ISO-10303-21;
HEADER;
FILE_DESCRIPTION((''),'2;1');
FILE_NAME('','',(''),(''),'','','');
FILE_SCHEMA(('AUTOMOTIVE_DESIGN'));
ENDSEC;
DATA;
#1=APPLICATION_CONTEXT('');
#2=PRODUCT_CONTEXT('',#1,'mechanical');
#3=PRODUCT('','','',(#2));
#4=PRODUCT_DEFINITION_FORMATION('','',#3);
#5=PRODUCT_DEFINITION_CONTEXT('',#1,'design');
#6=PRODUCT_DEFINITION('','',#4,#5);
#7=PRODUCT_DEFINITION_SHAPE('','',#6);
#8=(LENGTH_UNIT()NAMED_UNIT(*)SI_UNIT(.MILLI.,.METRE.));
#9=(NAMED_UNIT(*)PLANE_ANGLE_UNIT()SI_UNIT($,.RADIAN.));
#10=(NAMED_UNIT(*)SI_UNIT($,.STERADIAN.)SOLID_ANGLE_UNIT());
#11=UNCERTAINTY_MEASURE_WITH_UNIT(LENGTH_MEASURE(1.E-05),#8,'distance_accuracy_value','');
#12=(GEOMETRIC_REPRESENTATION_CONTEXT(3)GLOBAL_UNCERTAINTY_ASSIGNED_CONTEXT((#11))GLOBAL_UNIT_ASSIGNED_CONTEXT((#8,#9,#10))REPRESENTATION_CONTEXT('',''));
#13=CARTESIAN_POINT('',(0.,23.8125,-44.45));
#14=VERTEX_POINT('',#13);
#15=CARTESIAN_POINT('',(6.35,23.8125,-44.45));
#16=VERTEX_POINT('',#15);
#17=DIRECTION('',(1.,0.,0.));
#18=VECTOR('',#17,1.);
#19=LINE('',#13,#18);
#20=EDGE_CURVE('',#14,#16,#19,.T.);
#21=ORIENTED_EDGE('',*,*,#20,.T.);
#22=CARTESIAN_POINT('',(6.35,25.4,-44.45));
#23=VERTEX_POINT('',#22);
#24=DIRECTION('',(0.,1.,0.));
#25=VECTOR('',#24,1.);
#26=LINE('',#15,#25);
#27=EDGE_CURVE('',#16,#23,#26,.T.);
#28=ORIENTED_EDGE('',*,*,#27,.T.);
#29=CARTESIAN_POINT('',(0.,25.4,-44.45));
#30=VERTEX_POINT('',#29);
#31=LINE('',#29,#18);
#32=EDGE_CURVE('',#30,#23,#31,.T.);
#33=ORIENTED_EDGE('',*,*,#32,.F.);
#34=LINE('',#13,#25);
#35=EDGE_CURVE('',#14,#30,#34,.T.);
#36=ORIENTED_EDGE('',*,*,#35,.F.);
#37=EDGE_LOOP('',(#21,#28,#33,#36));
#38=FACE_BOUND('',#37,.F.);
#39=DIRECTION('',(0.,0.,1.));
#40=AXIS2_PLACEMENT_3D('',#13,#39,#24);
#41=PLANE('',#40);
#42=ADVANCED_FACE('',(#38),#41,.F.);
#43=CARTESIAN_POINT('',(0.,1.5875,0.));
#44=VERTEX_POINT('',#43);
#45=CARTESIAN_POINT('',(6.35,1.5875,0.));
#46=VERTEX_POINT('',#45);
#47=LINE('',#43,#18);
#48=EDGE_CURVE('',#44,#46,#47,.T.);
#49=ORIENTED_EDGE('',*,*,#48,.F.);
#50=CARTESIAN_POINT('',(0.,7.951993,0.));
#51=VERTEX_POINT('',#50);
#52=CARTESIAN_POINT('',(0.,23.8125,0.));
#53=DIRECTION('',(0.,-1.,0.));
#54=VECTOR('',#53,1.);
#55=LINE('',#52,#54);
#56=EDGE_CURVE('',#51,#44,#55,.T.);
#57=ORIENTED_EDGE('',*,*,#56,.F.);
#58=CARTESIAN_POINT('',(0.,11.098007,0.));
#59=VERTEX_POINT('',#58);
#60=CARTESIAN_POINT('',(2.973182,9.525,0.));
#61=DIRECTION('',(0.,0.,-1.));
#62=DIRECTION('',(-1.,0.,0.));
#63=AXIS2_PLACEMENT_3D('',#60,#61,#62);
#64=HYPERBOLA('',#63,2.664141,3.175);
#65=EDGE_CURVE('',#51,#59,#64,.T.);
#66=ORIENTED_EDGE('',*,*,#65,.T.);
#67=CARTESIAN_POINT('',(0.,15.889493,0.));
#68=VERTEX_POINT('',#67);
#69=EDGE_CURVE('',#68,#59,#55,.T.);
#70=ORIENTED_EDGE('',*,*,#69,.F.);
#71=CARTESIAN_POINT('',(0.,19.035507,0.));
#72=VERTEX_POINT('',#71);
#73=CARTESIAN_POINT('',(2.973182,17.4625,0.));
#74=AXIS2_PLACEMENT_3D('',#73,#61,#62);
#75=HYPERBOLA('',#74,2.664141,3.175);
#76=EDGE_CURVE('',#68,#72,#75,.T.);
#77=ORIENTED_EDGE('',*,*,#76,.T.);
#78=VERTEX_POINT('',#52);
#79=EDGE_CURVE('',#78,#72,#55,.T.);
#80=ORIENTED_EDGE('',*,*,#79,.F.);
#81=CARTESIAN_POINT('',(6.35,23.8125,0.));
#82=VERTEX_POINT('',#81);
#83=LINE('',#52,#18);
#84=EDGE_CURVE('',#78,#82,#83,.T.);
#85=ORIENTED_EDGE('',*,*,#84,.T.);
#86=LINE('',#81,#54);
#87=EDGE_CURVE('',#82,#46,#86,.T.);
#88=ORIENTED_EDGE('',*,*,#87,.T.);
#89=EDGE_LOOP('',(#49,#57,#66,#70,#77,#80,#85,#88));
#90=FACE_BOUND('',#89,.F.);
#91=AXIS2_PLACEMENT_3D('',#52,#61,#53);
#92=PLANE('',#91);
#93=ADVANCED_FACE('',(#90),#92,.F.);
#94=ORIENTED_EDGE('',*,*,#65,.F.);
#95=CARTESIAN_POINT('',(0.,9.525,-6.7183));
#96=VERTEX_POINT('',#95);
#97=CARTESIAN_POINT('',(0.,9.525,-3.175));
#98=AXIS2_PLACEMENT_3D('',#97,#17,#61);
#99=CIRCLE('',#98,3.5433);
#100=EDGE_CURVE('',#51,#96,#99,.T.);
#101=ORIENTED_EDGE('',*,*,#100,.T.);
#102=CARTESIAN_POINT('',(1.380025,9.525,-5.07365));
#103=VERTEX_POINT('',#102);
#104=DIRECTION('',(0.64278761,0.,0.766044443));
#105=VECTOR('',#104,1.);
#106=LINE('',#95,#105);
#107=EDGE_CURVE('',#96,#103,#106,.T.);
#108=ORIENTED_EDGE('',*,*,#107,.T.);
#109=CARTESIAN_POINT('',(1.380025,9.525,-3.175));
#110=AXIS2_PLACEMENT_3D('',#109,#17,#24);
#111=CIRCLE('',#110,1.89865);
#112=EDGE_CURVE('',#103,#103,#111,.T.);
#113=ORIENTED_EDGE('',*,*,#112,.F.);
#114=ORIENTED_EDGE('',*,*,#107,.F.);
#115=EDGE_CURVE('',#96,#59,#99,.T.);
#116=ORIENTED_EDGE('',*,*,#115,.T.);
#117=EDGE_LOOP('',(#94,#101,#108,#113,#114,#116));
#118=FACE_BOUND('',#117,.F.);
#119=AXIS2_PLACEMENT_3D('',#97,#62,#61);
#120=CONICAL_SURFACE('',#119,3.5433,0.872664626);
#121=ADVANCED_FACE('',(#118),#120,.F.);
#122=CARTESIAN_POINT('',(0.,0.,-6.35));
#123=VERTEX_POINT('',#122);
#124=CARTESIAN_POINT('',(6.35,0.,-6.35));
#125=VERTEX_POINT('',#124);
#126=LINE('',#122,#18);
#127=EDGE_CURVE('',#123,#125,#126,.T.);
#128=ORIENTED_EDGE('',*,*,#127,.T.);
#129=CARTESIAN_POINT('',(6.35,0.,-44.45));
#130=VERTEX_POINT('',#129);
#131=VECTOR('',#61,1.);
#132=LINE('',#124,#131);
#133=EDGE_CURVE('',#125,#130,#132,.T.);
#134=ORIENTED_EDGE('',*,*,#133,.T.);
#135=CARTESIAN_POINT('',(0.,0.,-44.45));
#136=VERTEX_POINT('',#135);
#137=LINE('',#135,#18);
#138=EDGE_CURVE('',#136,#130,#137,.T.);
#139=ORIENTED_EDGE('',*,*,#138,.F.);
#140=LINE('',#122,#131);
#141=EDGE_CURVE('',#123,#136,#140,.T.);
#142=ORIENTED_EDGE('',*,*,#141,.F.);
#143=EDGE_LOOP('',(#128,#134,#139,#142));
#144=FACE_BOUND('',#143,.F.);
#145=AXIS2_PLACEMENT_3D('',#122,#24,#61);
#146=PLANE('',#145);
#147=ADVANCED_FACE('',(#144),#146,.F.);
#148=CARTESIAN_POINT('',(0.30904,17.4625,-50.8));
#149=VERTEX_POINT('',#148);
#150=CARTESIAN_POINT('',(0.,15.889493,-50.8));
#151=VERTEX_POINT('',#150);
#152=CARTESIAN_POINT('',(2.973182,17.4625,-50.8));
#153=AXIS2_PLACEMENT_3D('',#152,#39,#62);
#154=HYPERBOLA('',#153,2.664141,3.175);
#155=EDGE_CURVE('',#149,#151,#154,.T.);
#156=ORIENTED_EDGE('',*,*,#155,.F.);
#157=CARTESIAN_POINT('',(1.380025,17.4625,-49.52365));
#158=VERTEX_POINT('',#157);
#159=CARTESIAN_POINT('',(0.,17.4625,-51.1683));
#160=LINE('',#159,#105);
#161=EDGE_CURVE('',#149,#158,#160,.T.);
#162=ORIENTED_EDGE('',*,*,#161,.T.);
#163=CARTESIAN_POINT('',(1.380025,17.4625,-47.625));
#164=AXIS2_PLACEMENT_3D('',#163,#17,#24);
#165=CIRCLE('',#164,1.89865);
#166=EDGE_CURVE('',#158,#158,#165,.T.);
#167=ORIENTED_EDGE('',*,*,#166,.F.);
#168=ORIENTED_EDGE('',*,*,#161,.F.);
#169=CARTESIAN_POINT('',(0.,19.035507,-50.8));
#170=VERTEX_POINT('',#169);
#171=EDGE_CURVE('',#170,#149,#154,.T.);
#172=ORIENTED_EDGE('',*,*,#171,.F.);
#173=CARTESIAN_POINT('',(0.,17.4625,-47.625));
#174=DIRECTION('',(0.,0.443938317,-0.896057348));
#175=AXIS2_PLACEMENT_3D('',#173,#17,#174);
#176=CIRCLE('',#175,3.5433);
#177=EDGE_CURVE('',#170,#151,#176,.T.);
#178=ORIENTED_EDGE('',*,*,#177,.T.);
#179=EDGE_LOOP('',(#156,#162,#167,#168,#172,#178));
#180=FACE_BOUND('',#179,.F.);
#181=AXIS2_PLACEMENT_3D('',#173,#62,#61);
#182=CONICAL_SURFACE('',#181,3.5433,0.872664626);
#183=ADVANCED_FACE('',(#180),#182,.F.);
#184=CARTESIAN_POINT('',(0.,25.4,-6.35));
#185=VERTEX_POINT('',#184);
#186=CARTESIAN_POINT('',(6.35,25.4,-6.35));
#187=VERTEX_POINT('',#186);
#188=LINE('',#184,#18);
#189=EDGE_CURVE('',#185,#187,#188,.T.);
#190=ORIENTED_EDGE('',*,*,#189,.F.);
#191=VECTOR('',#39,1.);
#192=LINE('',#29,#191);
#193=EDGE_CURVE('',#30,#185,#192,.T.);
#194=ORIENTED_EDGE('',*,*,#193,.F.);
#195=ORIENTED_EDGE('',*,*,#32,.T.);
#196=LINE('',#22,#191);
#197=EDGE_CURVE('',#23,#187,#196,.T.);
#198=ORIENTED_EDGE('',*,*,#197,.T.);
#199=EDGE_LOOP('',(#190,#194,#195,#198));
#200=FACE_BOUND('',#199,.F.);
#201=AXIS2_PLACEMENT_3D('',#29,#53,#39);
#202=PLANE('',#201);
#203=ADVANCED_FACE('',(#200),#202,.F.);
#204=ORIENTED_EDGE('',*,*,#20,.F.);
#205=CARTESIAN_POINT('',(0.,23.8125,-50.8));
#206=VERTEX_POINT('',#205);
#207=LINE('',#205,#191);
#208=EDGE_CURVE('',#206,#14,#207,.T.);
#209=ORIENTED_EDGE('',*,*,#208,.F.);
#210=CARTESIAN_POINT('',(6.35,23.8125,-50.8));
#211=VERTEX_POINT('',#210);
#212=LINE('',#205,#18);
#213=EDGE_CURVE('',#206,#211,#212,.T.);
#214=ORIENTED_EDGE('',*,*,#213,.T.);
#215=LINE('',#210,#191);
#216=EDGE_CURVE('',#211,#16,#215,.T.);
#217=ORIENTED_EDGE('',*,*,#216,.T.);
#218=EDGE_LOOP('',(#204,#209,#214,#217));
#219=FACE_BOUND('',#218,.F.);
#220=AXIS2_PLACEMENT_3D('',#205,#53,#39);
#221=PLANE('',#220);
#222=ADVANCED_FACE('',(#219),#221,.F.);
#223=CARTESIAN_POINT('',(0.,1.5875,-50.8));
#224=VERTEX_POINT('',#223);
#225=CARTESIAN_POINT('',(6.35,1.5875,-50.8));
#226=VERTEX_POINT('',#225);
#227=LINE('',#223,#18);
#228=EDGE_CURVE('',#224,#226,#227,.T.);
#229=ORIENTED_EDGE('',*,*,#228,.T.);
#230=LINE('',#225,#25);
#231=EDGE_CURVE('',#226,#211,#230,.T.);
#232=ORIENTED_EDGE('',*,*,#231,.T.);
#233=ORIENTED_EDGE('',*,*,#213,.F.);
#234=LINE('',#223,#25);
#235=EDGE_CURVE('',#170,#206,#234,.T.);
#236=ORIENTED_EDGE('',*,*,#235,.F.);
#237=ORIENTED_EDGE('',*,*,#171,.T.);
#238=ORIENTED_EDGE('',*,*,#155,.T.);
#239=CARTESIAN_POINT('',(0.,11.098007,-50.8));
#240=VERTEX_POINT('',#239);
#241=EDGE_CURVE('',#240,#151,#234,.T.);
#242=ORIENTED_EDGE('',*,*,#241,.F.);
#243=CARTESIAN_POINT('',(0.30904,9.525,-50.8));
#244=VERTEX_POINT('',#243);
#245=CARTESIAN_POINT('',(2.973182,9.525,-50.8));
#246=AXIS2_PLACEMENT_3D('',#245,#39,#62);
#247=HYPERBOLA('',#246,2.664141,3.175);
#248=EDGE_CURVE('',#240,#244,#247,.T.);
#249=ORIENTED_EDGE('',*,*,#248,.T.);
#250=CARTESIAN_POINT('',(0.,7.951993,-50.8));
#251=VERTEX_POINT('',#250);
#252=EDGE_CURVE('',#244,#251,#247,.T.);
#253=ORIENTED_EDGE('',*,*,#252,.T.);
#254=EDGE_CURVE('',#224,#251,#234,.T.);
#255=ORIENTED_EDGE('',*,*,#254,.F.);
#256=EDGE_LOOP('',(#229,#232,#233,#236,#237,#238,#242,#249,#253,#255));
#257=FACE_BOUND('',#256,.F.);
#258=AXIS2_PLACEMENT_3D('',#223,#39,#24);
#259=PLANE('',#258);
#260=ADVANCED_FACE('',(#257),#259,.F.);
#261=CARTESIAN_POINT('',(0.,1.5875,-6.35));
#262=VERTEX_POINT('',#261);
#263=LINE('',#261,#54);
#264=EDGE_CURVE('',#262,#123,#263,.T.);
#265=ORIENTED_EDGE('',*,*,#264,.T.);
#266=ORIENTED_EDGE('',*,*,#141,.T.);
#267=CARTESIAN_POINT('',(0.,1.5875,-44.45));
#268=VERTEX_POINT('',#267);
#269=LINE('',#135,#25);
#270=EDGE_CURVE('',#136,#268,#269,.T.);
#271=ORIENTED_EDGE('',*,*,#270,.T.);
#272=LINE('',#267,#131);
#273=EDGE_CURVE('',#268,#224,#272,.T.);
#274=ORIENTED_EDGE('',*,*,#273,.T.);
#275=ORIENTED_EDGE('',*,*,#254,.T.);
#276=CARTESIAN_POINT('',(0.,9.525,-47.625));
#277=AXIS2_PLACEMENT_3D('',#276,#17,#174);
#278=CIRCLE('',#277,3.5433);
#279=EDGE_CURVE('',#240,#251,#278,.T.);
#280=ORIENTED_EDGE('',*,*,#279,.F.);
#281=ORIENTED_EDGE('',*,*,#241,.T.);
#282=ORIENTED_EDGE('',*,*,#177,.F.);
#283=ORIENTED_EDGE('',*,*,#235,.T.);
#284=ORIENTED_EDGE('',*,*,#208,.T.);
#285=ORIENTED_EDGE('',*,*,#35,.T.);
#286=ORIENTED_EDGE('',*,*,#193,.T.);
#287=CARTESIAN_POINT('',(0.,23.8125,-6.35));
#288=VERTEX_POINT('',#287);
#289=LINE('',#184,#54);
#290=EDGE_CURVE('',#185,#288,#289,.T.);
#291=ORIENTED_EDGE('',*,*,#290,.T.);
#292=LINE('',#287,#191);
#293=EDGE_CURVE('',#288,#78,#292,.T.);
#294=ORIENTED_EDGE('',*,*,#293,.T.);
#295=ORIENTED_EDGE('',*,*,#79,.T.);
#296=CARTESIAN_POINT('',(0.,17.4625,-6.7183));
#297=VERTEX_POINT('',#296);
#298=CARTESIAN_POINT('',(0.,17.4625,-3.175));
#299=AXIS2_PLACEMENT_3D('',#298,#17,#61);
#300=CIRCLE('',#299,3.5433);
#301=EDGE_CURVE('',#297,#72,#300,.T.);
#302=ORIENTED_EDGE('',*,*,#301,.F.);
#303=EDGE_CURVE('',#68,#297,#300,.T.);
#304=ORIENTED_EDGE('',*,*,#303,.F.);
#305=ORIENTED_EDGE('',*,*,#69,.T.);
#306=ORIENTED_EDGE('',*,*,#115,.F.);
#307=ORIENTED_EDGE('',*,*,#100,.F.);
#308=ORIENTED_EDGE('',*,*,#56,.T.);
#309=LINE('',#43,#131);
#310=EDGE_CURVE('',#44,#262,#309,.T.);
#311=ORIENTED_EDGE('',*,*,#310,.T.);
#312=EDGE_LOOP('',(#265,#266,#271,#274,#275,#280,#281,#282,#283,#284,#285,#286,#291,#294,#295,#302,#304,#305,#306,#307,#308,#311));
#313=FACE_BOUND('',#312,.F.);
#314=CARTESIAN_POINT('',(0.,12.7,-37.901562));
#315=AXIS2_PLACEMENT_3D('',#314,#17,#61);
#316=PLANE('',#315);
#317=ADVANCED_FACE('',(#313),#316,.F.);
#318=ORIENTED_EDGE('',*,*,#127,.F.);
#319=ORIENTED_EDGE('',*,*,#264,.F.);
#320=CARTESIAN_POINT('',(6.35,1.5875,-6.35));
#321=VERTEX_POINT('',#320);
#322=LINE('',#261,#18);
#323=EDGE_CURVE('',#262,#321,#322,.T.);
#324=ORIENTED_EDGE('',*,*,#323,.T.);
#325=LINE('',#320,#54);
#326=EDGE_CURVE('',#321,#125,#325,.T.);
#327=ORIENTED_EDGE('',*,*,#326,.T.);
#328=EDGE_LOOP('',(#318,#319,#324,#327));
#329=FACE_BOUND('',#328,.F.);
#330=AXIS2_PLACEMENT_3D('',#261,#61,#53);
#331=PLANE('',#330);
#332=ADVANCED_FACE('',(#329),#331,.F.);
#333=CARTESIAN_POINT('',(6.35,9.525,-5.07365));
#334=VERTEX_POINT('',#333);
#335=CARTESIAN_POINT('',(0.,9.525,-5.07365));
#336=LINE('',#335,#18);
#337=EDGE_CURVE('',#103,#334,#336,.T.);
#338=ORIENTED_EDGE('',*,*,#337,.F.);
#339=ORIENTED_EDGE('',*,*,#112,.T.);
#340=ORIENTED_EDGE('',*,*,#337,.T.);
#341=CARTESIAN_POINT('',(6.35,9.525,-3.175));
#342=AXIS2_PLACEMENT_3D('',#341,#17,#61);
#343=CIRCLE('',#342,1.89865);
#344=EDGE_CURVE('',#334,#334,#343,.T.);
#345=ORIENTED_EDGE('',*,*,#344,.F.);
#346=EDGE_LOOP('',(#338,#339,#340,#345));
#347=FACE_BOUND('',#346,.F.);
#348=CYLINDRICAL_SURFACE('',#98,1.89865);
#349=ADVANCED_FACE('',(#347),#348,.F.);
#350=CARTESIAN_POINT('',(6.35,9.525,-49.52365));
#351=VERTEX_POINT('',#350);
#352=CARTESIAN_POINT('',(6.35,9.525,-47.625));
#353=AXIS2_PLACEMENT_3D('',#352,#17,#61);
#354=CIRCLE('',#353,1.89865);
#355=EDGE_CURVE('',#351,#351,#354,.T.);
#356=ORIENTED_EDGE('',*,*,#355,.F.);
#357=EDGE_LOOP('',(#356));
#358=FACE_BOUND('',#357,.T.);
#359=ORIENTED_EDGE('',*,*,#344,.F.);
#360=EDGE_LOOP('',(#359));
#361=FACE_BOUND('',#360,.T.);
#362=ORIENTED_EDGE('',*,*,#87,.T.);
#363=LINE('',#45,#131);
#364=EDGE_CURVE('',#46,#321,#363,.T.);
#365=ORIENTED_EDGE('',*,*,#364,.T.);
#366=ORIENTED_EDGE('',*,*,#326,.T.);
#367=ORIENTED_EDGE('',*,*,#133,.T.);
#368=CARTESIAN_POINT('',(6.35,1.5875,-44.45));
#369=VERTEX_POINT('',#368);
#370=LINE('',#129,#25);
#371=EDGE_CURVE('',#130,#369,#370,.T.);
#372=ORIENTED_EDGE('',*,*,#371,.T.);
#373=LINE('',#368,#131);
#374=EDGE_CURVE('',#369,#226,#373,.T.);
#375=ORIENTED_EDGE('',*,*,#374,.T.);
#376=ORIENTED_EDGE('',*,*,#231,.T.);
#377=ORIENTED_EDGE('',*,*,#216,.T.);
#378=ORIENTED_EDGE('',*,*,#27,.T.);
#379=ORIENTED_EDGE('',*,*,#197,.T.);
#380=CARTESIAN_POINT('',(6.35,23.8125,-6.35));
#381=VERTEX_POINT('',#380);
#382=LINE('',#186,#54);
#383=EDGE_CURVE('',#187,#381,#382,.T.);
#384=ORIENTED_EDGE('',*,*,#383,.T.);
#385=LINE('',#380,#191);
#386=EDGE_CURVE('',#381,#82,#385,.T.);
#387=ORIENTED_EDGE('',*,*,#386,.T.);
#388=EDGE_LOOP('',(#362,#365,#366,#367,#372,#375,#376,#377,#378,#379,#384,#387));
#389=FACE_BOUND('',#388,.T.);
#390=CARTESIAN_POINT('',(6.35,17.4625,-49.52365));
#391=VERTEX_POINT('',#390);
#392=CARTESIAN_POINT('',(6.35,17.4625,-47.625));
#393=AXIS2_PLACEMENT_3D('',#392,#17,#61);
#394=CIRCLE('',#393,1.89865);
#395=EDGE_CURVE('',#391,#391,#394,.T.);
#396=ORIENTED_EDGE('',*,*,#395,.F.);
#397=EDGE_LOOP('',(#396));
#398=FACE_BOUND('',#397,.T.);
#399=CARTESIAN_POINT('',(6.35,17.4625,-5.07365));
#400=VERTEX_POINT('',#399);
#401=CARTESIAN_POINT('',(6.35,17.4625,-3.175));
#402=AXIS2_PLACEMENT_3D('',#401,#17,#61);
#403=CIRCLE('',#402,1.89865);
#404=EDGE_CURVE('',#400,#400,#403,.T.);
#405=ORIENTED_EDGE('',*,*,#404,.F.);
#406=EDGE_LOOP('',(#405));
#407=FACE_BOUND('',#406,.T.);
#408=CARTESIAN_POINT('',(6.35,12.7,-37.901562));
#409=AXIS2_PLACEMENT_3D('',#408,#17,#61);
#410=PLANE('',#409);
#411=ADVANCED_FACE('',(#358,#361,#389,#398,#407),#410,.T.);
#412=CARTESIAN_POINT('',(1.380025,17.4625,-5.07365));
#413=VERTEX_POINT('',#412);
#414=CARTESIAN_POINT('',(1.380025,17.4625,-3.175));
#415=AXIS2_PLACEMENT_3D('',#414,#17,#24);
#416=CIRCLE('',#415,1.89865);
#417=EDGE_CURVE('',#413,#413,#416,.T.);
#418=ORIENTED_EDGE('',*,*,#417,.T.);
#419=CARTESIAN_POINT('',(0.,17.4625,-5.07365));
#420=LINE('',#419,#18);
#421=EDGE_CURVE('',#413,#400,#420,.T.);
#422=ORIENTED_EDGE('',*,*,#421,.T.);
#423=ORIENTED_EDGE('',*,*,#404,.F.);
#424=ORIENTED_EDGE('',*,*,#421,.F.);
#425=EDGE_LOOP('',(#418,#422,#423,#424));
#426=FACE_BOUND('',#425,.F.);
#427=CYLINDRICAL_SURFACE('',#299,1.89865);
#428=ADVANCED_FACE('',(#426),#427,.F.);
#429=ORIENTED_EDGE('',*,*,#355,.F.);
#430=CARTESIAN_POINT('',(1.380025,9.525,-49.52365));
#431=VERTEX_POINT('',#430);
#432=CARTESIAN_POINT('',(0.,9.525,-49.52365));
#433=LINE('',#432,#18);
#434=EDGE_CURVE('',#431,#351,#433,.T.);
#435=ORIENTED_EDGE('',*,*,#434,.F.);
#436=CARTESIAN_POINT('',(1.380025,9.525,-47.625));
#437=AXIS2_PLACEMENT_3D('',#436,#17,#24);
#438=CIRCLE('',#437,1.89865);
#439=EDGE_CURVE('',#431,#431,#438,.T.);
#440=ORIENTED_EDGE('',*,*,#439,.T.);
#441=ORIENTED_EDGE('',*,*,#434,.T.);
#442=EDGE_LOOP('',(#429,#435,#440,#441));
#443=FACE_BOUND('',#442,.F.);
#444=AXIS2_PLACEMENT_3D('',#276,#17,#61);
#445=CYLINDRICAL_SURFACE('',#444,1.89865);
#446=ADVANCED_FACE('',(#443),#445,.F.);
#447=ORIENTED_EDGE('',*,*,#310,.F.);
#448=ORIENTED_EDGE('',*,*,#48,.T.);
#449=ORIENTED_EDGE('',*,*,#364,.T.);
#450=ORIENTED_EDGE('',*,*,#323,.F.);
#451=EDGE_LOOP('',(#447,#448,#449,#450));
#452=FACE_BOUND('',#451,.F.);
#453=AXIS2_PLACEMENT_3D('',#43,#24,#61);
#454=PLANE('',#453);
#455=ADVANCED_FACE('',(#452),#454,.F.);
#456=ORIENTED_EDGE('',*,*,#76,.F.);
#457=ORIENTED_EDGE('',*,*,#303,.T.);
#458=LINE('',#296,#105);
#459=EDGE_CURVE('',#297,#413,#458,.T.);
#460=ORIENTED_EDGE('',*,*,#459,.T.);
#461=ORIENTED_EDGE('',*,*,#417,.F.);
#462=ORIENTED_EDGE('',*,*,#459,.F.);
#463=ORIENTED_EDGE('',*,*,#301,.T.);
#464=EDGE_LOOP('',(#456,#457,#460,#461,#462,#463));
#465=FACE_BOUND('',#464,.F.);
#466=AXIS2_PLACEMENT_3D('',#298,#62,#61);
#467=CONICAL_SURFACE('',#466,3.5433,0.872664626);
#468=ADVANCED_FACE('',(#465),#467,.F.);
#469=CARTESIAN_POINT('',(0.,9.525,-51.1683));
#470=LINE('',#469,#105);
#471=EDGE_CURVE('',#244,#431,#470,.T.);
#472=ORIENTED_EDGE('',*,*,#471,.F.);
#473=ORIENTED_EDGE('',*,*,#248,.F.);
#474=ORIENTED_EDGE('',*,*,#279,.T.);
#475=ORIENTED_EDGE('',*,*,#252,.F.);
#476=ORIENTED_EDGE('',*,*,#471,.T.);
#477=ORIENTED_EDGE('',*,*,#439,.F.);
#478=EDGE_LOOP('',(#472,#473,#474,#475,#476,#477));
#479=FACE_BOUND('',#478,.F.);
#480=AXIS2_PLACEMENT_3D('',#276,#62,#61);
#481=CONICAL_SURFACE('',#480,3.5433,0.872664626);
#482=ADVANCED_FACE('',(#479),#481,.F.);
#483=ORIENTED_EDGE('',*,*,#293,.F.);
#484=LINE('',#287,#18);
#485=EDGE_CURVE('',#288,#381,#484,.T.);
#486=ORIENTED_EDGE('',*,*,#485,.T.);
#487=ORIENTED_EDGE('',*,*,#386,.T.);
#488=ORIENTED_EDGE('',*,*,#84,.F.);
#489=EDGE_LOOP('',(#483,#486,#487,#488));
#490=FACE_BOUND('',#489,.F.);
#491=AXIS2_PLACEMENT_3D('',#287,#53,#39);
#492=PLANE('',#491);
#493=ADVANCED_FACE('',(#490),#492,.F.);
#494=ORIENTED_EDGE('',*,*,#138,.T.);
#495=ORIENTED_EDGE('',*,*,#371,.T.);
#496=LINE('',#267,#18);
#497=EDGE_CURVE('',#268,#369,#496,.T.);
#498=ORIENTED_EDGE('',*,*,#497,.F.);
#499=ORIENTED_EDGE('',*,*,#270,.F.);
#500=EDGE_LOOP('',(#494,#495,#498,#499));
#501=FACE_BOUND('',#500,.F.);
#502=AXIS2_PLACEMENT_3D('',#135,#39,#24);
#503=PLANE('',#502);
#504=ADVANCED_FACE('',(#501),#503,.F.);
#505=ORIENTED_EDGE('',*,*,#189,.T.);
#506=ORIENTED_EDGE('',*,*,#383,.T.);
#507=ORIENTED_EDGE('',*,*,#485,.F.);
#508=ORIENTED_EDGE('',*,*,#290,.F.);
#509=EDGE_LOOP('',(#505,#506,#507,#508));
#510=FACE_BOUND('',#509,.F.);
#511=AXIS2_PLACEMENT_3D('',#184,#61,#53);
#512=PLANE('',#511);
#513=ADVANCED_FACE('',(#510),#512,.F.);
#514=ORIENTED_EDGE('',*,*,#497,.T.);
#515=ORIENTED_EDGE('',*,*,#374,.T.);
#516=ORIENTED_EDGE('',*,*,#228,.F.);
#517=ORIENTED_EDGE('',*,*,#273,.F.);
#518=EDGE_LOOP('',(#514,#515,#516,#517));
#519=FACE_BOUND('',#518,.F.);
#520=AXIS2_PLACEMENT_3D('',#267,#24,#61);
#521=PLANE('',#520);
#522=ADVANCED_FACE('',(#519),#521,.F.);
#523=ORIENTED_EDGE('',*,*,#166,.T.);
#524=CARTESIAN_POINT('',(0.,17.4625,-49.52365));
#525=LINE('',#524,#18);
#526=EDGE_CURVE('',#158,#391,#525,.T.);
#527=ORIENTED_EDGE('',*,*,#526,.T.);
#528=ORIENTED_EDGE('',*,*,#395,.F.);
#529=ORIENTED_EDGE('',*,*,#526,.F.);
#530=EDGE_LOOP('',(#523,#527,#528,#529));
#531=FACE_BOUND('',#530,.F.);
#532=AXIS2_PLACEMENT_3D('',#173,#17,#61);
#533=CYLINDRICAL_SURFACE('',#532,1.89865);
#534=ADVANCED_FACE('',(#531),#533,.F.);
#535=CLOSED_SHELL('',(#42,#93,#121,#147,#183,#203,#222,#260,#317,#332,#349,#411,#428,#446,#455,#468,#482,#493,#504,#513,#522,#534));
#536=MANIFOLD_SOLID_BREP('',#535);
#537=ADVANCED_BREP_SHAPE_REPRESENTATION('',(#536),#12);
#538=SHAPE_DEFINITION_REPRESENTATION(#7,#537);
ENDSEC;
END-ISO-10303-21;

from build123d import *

# Parameters (mm, degrees)
BOSS_EXTRUDE1_DEPTH                               = 6.35
CSK_FOR_6_FLAT_HEAD_MACHINE_SCREW_100_D           = 3.7973
CSK_FOR_6_FLAT_HEAD_MACHINE_SCREW_100_CSINK_D     = 7.0866
CSK_FOR_6_FLAT_HEAD_MACHINE_SCREW_100_CSINK_ANGLE = 100


with BuildPart() as part:
    # Sketch1 → Boss-Extrude1 (new body)
    with BuildSketch(Plane(origin=(0, 0, 0), x_dir=(0, 0, -1), z_dir=(1, 0, 0))):
        Polygon((44.45, 25.4), (6.35, 25.4), (6.35, 23.8125), (0, 23.8125), (0, 1.5875), (6.35, 1.5875), (6.35, 0), (44.45, 0), (44.45, 1.5875), (50.8, 1.5875), (50.8, 23.8125), (44.45, 23.8125), align=None)
    extrude(amount=BOSS_EXTRUDE1_DEPTH)

    # CSK for #6 Flat Head Machine Screw (100)1 (through all)
    with Locations(Plane.ZY):
        with Locations((-47.625, 17.4625), (-47.625, 9.525), (-3.175, 17.4625), (-3.175, 9.525)):
            CounterSinkHole(CSK_FOR_6_FLAT_HEAD_MACHINE_SCREW_100_D / 2, CSK_FOR_6_FLAT_HEAD_MACHINE_SCREW_100_CSINK_D / 2, counter_sink_angle=CSK_FOR_6_FLAT_HEAD_MACHINE_SCREW_100_CSINK_ANGLE)


solid = part.part
